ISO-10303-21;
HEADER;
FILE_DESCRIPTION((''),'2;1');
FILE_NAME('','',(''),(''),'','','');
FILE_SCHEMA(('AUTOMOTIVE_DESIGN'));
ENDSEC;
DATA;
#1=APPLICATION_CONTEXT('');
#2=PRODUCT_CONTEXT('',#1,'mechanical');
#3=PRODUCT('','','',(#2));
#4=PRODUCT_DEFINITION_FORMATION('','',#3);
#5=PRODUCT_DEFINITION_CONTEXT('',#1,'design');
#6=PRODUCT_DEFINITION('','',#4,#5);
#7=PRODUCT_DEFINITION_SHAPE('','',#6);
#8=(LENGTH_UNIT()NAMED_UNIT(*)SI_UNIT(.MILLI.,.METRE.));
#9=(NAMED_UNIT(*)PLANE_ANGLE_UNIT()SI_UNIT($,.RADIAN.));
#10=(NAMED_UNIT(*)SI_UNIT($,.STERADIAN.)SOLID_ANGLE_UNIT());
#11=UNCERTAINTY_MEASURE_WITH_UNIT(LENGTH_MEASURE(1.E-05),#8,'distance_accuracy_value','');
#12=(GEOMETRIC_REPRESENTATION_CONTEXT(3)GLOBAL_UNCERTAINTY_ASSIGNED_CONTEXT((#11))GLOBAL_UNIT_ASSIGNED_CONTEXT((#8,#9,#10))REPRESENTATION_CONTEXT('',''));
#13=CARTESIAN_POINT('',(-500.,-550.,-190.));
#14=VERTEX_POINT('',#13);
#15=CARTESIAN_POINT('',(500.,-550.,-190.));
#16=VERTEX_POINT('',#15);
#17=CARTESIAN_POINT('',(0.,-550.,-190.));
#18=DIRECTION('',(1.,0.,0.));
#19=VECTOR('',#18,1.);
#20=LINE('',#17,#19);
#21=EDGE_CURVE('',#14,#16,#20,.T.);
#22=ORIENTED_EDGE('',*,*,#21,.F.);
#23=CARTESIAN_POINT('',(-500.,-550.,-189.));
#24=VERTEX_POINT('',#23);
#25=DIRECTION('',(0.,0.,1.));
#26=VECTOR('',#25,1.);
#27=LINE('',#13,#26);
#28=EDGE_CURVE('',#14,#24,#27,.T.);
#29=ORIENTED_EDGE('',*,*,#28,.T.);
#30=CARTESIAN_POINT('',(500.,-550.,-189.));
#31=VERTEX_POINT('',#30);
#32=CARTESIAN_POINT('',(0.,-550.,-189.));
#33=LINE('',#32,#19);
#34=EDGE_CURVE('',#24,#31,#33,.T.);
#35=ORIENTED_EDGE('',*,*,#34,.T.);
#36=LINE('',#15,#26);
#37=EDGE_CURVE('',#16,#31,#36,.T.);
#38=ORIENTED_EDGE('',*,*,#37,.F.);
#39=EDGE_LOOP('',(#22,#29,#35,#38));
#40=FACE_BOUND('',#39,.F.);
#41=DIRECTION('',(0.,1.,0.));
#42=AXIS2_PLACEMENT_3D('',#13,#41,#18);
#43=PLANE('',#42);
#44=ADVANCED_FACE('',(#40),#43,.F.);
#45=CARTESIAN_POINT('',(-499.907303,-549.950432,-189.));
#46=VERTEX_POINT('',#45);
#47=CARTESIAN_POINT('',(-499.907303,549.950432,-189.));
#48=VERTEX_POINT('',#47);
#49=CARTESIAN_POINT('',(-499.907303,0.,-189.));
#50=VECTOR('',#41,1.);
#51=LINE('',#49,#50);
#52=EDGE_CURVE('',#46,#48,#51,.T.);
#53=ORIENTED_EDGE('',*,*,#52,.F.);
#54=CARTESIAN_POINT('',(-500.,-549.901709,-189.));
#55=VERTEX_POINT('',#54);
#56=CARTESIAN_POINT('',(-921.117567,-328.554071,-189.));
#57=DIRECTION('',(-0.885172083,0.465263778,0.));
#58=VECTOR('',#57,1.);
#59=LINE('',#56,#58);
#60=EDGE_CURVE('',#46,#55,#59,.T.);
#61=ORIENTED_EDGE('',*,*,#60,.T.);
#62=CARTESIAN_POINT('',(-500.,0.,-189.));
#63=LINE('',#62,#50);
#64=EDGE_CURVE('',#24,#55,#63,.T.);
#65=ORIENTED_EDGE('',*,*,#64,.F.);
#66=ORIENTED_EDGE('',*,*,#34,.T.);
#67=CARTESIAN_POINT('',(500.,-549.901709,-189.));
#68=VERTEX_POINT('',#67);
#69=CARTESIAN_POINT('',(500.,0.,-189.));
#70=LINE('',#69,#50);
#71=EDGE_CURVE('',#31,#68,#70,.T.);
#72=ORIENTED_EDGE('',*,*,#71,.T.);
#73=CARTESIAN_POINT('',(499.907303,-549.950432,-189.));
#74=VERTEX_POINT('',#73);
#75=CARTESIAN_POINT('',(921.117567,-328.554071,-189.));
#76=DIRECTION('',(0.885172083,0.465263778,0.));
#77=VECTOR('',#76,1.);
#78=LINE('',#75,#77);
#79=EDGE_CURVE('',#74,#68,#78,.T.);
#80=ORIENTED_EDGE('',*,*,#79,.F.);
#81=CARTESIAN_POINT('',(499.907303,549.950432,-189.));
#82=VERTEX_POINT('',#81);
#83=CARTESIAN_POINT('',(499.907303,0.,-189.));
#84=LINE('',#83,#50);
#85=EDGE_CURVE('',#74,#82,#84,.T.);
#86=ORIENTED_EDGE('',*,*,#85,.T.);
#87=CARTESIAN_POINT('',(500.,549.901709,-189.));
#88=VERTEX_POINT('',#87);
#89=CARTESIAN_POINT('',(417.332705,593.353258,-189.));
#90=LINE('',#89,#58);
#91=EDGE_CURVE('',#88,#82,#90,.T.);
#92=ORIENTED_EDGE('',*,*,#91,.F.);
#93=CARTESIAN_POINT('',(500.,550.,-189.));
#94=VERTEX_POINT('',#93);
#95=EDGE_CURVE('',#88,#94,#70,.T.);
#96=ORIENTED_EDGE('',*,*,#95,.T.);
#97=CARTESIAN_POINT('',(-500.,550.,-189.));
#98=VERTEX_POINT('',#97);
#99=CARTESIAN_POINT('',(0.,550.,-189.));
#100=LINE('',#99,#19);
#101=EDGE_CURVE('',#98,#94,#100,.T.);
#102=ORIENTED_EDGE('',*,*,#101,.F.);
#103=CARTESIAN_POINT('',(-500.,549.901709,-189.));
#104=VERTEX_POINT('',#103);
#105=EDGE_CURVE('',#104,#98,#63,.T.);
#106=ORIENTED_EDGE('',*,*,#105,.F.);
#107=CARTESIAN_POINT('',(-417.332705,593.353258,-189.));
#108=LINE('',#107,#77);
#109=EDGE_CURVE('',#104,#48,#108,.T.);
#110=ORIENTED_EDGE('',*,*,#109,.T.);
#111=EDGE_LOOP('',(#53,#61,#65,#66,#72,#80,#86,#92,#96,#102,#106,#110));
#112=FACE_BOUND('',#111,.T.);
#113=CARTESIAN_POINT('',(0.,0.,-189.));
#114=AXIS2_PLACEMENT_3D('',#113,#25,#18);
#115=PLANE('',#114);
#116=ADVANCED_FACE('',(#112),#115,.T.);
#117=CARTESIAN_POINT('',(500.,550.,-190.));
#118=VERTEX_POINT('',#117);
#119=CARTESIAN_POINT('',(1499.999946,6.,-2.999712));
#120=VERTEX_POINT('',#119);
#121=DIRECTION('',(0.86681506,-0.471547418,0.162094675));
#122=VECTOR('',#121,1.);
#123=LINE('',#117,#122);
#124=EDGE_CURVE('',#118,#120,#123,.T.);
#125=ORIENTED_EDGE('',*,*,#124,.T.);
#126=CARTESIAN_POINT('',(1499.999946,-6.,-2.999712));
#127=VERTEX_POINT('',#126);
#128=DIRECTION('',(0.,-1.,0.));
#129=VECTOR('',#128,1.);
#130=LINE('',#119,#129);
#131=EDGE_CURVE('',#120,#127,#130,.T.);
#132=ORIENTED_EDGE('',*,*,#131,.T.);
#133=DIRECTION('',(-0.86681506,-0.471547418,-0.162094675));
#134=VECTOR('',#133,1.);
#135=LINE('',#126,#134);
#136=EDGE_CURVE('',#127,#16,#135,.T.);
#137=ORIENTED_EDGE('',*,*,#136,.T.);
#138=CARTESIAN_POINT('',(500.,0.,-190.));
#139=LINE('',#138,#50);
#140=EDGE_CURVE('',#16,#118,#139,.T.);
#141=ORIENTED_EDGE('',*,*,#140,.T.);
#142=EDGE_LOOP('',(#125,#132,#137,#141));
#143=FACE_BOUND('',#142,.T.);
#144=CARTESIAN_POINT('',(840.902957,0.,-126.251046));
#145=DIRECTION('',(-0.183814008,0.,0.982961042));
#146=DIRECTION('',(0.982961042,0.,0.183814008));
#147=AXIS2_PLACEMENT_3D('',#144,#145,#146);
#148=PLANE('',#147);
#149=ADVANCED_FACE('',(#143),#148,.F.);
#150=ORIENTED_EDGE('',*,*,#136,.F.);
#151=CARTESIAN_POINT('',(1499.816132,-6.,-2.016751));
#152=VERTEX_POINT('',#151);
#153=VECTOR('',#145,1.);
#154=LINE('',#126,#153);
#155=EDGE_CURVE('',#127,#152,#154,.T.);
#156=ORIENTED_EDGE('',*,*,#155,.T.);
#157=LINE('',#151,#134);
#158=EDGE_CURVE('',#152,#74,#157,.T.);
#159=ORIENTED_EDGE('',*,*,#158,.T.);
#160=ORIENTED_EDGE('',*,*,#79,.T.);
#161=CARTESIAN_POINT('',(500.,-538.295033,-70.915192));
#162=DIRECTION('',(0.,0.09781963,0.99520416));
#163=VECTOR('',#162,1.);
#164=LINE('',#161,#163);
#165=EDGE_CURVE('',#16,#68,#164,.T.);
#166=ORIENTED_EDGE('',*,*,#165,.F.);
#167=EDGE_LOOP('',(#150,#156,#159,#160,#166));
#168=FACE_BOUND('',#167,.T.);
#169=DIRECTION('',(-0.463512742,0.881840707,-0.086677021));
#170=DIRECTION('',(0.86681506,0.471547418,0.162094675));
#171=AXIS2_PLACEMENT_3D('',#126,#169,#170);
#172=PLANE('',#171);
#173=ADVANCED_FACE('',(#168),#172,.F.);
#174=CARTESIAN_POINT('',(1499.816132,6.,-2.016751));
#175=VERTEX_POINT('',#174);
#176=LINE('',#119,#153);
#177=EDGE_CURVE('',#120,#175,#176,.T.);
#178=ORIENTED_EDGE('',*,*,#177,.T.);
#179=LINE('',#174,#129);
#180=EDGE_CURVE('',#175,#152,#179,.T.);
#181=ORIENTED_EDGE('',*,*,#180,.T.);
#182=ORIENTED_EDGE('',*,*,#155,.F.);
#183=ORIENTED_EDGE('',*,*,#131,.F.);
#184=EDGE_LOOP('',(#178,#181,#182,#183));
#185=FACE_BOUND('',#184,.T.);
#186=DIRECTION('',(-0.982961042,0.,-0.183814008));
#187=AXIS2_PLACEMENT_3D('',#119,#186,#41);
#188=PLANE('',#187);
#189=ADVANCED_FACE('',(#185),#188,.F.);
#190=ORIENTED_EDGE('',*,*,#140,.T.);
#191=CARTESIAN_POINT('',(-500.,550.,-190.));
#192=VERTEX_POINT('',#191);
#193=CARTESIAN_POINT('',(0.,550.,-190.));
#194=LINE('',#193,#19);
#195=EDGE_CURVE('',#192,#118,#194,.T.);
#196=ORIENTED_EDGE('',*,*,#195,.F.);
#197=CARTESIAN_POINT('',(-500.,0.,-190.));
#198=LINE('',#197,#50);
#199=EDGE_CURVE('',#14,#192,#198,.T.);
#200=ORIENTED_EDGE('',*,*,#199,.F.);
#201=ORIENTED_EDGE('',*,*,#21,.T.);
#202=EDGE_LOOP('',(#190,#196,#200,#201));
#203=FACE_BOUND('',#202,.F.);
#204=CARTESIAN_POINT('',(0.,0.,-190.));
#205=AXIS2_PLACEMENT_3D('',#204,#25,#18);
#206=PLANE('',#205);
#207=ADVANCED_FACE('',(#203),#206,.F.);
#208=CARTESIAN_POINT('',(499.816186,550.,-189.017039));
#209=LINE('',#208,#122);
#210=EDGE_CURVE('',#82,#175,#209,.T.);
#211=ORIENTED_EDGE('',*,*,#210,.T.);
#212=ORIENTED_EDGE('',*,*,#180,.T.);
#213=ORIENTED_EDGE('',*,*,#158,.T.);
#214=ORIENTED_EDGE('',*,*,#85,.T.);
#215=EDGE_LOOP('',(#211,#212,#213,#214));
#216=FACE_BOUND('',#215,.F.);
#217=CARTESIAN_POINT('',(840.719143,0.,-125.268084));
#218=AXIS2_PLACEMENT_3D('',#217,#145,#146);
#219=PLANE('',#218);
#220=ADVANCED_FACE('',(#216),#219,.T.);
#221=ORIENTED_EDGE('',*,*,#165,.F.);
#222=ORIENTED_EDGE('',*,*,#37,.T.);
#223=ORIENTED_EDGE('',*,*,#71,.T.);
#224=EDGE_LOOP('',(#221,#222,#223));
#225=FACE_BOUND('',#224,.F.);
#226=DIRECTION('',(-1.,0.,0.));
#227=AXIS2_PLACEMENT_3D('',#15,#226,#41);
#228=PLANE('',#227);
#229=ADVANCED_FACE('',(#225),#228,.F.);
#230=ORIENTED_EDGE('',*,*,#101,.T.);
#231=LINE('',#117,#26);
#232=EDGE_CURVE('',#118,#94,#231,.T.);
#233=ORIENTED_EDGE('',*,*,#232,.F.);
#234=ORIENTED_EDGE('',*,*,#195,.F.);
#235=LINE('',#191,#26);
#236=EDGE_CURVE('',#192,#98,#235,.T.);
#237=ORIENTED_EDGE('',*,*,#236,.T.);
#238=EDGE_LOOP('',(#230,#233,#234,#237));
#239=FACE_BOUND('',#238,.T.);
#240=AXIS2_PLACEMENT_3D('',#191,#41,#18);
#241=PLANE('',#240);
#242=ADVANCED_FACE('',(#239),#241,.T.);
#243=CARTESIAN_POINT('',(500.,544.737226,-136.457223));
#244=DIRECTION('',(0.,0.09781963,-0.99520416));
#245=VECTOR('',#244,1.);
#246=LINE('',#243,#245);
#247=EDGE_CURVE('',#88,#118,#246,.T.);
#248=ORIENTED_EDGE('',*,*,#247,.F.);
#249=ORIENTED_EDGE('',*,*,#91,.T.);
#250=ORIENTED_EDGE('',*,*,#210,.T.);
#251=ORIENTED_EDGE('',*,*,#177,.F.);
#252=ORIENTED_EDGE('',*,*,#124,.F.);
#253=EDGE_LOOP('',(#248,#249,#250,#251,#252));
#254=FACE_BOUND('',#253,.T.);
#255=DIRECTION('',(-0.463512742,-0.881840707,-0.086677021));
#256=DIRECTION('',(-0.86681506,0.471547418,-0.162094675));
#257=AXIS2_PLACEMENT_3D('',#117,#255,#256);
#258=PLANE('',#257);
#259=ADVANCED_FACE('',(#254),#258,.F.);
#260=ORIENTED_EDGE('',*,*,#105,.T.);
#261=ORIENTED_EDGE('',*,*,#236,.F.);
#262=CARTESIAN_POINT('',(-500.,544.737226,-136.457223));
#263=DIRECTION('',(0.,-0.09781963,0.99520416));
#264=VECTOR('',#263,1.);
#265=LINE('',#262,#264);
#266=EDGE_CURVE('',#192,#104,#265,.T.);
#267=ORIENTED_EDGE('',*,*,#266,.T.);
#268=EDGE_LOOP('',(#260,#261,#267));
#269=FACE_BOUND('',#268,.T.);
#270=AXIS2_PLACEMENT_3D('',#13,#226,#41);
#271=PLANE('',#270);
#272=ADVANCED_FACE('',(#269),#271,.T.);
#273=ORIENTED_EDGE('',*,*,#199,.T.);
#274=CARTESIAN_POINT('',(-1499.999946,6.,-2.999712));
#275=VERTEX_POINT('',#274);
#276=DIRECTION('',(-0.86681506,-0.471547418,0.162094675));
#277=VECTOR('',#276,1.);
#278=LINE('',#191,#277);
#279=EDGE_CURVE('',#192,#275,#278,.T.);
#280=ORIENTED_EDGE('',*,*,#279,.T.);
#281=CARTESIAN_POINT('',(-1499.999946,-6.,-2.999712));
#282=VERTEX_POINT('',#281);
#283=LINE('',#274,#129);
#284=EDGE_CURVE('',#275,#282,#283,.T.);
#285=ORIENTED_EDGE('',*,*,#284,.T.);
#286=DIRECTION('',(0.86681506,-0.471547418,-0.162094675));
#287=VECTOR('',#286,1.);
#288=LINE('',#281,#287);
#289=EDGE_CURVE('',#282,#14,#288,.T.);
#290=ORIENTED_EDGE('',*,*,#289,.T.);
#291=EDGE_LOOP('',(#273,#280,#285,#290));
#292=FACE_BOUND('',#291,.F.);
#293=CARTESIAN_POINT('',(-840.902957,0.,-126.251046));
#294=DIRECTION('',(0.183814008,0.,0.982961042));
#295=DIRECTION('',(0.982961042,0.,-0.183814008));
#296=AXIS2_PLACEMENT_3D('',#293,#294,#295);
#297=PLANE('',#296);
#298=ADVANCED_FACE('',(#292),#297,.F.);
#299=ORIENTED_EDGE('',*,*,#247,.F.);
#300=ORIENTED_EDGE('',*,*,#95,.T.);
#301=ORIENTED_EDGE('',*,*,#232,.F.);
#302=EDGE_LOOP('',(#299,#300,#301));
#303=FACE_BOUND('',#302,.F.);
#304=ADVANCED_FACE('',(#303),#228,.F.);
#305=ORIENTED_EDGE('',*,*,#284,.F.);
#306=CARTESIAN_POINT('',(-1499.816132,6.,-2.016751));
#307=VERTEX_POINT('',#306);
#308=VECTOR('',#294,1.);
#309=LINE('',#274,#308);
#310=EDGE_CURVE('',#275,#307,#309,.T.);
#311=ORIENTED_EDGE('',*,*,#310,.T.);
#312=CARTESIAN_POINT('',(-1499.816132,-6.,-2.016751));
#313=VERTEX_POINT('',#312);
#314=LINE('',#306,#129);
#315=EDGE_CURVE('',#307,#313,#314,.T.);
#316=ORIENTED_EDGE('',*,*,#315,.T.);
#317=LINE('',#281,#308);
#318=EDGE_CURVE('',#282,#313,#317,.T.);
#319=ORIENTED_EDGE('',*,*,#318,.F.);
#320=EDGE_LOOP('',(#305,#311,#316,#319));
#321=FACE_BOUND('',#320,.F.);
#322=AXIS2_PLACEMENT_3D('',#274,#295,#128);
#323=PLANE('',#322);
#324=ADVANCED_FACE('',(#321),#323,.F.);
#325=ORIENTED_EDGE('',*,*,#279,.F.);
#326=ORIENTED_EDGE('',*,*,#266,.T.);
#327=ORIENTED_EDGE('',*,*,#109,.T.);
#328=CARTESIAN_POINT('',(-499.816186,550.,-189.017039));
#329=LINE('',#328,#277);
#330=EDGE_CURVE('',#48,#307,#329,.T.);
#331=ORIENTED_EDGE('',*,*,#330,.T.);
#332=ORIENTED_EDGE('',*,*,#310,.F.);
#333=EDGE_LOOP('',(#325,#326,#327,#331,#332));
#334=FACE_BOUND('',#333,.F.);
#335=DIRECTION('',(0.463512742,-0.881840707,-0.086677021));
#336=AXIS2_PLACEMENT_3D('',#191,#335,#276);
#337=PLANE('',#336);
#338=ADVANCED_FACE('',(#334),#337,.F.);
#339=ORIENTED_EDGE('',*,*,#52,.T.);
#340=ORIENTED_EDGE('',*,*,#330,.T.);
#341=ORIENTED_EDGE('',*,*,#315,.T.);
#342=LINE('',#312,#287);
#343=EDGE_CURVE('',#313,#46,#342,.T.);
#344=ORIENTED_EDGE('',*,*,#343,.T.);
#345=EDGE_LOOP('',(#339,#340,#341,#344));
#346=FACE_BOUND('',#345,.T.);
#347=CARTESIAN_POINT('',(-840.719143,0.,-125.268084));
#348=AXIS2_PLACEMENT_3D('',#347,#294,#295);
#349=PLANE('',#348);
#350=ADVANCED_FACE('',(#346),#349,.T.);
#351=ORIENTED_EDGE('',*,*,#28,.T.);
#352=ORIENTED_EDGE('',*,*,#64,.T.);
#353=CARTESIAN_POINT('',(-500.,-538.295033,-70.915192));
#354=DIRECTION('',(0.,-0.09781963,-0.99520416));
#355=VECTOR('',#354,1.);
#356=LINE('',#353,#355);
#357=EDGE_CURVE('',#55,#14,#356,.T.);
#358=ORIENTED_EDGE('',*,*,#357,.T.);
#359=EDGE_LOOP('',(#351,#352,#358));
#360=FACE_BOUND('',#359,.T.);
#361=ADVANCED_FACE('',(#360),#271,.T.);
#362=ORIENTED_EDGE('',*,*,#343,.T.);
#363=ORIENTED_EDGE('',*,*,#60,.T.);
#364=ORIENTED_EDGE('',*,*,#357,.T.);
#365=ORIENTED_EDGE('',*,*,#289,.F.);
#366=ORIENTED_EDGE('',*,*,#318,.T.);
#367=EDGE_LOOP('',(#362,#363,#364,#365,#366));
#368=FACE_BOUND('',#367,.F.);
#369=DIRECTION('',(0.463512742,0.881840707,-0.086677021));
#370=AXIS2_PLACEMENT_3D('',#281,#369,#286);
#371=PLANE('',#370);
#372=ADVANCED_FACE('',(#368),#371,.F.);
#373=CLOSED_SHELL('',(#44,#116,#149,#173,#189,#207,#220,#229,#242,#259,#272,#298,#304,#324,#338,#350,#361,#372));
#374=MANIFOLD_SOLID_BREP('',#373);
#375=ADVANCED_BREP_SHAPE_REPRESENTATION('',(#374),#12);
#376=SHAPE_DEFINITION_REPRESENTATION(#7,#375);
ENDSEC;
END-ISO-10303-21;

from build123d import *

# Parameters (mm, degrees)
SKETCH003_W  = 1000
SKETCH003_H  = 1100
PAD003_DEPTH = 1
PAD004_DEPTH = 1


with BuildPart() as part:
    # Sketch003 → Pad003 (new body)
    with BuildSketch(Plane.XY):
        Rectangle(SKETCH003_W, SKETCH003_H)
    extrude(amount=PAD003_DEPTH)

    # Sketch004 (on Local_CS) → Pad004 (join)
    with BuildSketch(Plane(origin=(-500, 0, 0), x_dir=(0.982961, 0, -0.183814), z_dir=(0.183814, 0, 0.982961))):
        Polygon((0, -550), (0, 550), (-1017.334262, 6), (-1017.334262, -6), align=None)
    pad004 = extrude(amount=PAD004_DEPTH)

    # Mirrored001: Pad004 across YZ
    add(pad004.mirror(Plane.YZ))


with BuildPart() as part_1:
    # Body002 placement: moved
    add(part.part.moved(Location((0, 0, -190))))


solid = part_1.part
